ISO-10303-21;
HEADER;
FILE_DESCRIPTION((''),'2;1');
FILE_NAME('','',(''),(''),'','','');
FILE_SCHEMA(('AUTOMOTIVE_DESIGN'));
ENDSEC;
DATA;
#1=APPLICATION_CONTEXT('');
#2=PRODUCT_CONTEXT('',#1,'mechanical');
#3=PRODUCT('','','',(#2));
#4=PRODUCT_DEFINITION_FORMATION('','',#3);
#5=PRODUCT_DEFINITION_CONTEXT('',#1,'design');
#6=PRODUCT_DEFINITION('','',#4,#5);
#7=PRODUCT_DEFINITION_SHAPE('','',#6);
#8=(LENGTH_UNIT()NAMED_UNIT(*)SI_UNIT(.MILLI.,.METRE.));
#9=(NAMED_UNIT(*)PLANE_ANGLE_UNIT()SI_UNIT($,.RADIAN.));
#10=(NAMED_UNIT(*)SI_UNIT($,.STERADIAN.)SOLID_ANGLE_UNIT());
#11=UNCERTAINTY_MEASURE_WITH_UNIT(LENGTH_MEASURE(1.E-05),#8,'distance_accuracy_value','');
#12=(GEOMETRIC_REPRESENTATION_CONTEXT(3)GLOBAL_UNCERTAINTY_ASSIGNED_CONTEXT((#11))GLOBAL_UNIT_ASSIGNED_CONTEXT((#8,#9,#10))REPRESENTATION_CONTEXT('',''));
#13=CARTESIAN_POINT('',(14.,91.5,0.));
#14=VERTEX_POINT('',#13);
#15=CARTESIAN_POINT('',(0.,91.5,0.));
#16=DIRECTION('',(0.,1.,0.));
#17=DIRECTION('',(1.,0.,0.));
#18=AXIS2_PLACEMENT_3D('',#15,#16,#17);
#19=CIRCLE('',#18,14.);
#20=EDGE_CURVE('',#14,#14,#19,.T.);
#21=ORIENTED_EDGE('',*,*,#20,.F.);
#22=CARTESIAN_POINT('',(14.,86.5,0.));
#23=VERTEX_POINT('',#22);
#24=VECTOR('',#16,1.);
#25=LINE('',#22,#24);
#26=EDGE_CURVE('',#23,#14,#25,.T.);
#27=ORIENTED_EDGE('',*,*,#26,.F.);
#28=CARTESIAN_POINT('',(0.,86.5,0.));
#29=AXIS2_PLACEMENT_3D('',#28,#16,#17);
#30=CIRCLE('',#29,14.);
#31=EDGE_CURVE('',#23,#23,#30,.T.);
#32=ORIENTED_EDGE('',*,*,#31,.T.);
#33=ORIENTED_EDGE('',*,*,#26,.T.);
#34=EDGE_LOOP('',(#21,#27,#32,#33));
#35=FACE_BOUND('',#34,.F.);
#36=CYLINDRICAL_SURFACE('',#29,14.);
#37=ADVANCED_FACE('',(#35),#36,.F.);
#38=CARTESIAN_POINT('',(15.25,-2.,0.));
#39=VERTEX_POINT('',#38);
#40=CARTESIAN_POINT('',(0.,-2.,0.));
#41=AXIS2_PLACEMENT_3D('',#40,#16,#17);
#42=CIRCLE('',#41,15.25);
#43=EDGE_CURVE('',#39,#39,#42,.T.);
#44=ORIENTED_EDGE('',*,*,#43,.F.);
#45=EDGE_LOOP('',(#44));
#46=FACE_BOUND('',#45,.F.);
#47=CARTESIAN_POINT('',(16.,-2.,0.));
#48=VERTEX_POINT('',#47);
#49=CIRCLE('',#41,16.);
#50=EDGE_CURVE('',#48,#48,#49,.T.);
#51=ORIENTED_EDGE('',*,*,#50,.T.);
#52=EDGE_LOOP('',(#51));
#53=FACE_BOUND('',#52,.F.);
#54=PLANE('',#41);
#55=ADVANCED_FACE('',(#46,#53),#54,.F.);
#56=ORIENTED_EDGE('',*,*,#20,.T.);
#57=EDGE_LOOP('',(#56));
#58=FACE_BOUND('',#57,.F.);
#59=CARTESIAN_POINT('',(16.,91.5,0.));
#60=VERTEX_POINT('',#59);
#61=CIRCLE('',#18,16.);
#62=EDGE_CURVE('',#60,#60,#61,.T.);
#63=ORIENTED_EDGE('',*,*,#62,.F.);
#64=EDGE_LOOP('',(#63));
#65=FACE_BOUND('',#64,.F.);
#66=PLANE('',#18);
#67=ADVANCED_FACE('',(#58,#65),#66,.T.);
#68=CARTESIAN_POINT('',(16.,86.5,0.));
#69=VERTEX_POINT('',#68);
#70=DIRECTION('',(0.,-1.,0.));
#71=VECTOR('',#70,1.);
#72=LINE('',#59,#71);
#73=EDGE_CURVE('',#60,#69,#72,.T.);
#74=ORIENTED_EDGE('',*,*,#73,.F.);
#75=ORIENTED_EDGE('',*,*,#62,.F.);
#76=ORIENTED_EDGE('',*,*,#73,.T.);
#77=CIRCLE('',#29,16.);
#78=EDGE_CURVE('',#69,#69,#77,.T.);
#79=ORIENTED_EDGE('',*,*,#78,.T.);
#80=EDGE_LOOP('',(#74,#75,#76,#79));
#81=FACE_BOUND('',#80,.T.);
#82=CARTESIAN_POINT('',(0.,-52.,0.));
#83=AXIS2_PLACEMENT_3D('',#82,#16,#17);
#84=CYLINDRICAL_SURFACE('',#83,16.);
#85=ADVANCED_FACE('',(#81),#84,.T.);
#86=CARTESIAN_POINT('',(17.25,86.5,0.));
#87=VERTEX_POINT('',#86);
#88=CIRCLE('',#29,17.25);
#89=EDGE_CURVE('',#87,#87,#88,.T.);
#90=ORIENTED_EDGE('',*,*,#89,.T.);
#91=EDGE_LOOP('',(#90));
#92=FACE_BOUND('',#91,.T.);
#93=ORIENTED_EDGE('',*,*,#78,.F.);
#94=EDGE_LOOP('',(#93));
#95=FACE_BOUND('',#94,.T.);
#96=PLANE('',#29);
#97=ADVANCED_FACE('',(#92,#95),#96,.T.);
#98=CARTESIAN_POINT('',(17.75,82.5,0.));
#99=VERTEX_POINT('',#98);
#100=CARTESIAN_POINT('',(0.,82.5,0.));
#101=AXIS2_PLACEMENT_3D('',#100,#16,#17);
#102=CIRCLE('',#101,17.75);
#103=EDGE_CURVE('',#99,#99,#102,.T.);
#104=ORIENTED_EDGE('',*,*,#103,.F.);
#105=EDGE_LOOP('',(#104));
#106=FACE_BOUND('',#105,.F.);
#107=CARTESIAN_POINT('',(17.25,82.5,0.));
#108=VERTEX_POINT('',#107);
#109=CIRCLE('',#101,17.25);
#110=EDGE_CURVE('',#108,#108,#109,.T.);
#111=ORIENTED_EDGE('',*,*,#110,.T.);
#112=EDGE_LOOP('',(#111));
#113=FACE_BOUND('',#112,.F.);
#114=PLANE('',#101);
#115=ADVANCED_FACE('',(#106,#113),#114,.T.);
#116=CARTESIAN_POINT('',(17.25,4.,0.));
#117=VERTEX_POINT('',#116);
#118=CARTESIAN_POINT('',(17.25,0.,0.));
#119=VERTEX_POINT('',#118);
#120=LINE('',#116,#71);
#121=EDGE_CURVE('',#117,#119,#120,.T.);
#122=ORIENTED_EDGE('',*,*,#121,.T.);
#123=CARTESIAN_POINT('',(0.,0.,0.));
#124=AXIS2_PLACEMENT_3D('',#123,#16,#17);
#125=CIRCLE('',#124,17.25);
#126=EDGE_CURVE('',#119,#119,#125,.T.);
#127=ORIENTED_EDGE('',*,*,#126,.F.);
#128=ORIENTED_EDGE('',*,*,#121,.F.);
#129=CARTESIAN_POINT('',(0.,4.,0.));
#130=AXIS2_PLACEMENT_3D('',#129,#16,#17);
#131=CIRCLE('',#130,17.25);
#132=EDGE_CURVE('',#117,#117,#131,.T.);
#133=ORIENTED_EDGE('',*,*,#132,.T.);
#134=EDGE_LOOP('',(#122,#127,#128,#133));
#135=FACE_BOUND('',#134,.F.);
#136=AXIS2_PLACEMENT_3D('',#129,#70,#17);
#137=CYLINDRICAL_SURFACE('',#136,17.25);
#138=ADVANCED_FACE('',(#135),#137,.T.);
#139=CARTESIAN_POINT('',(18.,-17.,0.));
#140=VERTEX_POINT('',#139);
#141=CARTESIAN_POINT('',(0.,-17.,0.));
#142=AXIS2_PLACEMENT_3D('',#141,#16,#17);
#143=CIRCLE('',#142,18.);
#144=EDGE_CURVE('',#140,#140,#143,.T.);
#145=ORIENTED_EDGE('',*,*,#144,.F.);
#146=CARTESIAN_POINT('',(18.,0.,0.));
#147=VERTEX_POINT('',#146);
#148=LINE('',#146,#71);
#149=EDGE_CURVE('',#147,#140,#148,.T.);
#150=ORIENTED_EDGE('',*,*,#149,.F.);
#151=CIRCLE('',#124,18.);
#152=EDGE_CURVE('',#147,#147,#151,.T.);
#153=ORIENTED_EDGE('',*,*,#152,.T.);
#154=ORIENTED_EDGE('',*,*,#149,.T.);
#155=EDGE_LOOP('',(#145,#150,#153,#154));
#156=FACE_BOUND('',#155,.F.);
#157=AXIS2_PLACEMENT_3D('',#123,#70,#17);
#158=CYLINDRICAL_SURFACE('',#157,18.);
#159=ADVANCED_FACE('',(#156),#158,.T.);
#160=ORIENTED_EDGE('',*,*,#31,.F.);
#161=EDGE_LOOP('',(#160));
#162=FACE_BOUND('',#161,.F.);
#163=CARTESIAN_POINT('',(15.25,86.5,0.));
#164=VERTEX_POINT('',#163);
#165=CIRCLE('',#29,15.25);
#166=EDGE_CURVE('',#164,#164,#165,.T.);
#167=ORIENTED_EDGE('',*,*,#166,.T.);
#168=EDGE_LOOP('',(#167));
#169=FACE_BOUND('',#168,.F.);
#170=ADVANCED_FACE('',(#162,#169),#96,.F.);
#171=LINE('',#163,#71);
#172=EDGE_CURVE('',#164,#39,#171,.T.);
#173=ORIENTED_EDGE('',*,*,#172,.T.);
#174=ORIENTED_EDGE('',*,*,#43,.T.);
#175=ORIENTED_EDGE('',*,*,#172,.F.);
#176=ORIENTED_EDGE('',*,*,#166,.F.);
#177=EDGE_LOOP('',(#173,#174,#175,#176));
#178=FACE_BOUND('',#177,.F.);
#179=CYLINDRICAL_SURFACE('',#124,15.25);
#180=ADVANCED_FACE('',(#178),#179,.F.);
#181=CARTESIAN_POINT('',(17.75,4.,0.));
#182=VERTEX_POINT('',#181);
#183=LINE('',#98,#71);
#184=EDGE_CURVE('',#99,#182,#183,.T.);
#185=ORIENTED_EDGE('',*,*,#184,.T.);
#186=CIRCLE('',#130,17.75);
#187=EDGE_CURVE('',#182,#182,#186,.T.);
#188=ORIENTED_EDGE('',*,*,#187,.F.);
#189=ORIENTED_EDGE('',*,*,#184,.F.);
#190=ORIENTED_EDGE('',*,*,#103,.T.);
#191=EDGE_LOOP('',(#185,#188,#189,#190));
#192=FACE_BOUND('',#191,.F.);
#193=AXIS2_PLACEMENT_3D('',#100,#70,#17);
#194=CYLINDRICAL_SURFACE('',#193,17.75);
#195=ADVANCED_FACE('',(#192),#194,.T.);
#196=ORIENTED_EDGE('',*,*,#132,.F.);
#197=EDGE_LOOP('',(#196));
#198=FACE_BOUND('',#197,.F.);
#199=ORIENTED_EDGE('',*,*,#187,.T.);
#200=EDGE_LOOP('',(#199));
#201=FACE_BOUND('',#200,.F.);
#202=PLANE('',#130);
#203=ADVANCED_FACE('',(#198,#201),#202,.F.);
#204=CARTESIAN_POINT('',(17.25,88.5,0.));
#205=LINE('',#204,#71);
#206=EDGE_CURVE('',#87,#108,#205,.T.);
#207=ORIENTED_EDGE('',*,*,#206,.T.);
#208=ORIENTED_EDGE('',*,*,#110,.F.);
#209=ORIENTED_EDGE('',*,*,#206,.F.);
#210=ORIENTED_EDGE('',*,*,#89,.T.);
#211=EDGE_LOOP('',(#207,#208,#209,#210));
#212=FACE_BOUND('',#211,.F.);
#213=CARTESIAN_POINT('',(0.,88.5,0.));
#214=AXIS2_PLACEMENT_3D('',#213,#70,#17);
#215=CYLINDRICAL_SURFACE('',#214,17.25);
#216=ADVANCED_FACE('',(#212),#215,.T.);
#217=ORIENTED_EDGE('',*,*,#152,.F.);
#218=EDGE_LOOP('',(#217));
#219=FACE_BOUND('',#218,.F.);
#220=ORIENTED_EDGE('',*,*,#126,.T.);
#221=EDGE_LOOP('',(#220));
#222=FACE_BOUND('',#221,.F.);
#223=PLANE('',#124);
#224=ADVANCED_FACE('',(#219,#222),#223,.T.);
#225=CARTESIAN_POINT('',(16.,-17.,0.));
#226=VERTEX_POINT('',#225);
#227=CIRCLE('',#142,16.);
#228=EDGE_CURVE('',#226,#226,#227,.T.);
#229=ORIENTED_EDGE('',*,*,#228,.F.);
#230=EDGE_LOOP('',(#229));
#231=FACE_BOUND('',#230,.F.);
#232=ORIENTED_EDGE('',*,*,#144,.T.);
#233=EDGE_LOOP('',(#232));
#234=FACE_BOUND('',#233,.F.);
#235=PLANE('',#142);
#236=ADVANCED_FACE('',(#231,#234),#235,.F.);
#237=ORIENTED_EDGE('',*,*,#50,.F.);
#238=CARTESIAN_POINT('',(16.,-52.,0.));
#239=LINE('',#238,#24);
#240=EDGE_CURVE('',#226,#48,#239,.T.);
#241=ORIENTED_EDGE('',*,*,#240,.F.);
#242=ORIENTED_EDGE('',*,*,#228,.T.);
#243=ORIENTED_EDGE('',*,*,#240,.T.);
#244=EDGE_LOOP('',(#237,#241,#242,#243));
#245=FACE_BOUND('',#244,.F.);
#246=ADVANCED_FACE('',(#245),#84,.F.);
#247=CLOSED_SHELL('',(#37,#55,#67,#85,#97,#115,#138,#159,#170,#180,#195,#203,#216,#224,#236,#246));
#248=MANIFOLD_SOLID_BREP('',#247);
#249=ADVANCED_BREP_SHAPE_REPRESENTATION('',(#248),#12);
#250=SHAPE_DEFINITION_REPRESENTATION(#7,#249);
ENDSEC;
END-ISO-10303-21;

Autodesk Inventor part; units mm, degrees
ref_plane "YZ Plane" through (0, 0, 0) normal (1, 0, 0) x (0, 1, 0)
ref_plane "XZ Plane" through (0, 0, 0) normal (0, 1, 0) x (-1, 0, 0)
ref_plane "XY Plane" through (0, 0, 0) normal (0, 0, 1) x (1, 0, 0)
sketch "Sketch3" plane through (0, 0, 0) normal (0, 0, 1) x (1, 0, 0)
  line L0 (0, 0) -> (18.25, 0)
  line L1 (18.25, 0) -> (18.25, 86.5)
  line L2 (18.25, 86.5) -> (0, 86.5)
  line L3 (0, 86.5) -> (0, 0)
  line L4 (18.25, 4) -> (18.75, 4)
  line L5 (18.75, 4) -> (18.75, 82.5)
  line L6 (18.75, 82.5) -> (18.25, 82.5)
  line L7 (18.25, 82.5) -> (18.25, 4)
  line L8 (0, -94.8) -> (0, 204.8) projected
  line L9 (22, -29.5) -> (22, -33.5)
  line L10 (22, -33.5) -> (19, -52)
  line L11 (19, -52) -> (0, -52)
  line L12 (0, -52) -> (0, 0)
  line L13 (18.25, 0) -> (20.5, -17)
  line L14 (20.5, -17) -> (20.5, -23.5)
  line L15 (20.5, -23.5) -> (22, -29.5)
  line L16 (16, -52) -> (16, 106.5)
  line L17 (-4.4, 0) -> (26.4, 0) construction
  line L18 (18.25, 86.5) -> (20.5, 86.5)
  line L19 (20.5, 86.5) -> (22, 109.5)
  line L20 (22, 109.5) -> (22, 110.5)
  line L21 (22, 110.5) -> (21.5, 110.5)
  line L22 (21.5, 110.5) -> (21.5, 112)
  line L23 (21.5, 112) -> (22, 112)
  line L24 (22, 112) -> (22, 123)
  line L25 (22, 123) -> (21.5, 123.5)
  line L26 (21.5, 123.5) -> (21.5, 132.5)
  line L27 (21.5, 132.5) -> (22, 133)
  line L28 (22, 133) -> (22, 144)
  line L29 (22, 144) -> (21.5, 144)
  line L30 (21.5, 144) -> (21.5, 145.5)
  line L31 (21.5, 145.5) -> (22, 145.5)
  line L32 (22, 145.5) -> (22, 146.5)
  line L33 (22, 146.5) -> (19, 158.5)
  line L34 (19, 158.5) -> (19, 162)
  line L35 (19, 162) -> (0, 162)
  line L36 (16, 106.5) -> (16, 162)
  line L37 (14, 162) -> (14, 152)
  line L38 (14, 152) -> (16, 152)
  line L39 (18, 0) -> (18, -17)
  line L40 (18, -17) -> (20.5, -17)
  line L41 (20.5, 86.5) -> (15.25, 86.5)
  line L42 (15.25, 86.5) -> (15.25, 88.5)
  line L43 (15.25, 88.5) -> (20.5, 88.5)
  line L44 (20.5, 88.5) -> (20.5, 86.5)
  line L45 (15.25, 88.5) -> (17.25, 88.5)
  line L46 (17.25, 88.5) -> (17.25, 82.5)
  line L47 (17.25, 82.5) -> (15.25, 82.5)
  line L48 (15.25, 82.5) -> (15.25, 88.5)
  line L49 (15.25, 82.5) -> (17.75, 82.5)
  line L50 (17.75, 82.5) -> (17.75, 4)
  line L51 (17.75, 4) -> (15.25, 4)
  line L52 (15.25, 4) -> (15.25, 82.5)
  line L53 (15.25, 4) -> (17.25, 4)
  line L54 (17.25, 4) -> (17.25, 0)
  line L55 (17.25, 0) -> (15.25, 0)
  line L56 (15.25, 0) -> (15.25, 4)
  line L57 (15.25, 0) -> (18.25, 0)
  line L58 (18.25, 0) -> (18.25, -2)
  line L59 (18.25, -2) -> (15.25, -2)
  line L60 (15.25, -2) -> (15.25, 0)
  line L61 (18, -17) -> (16, -17)
  line L62 (16, 86.5) -> (14, 86.5)
  line L63 (14, 86.5) -> (14, 91.5)
  line L64 (14, 91.5) -> (16, 91.5)
  line L65 (16, 91.5) -> (16, 86.5)
  point P0 (18.25, 82.5)
  point P1 (16, 0)
  point P2 (16, 86.5)
  point P3 (20.4357, -17)
  point P4 (16, 0)
  point P5 (17.25, 4)
  point P6 (17.25, 86.5)
  point P7 (16, 108.5)
  point P8 (16, -2)
  point P9 (17.25, 0)
  point P10 (15.25, 86.5)
  point P11 (16, 88.5)
  point P12 (14, 88.5)
  dimension "d3" = 86.5
  dimension "d4" = 36.5
  dimension "d5" = 0.5
  dimension "d6" = 4
  dimension "d7" = 4
  dimension "d29" = 41
  dimension "d30" = 44
  dimension "d32" = 23.5
  dimension "d33" = 29.5
  dimension "d34" = 33.5
  dimension "d35" = 52
  dimension "d36" = 38
  dimension "d42" = 41
  dimension "d43" = 44
  dimension "d44" = 109.5
  dimension "d45" = 110.5
  dimension "d46" = 43
  dimension "d47" = 112
  dimension "d48" = 123
  dimension "d49" = 45
  dimension "d50" = 43
  dimension "d51" = 133
  dimension "d52" = 158.5
  dimension "d53" = 38
  dimension "d54" = 162
  dimension "d60" = 10
  dimension "d61" = 28
  dimension "d81" = 17
  dimension "d83" = 36
  dimension "d97" = 32
  dimension "d98" = 2
  dimension "d99" = 2
  dimension "d100" = 0.5
  dimension "d102" = 2
  dimension "d103" = 2
  dimension "d104" = 5
  dimension "d105" = 37.5
  dimension "d106" = 35.5
revolve "Revolution1" add sketch "Sketch3" angle 360 about axis through (0, -10, 0) along (0, 1, 0) contours L56 L51 L16 L0 | L0 L16 L59 L60 | L16 L51 L54 L0 | L0 L39 L59 L16 | L52 L47 L16 L51 | L63 L64 L16 L43 L42 L2 | L59 L39 L61 L16 | L16 L47 L49 L50 L51 | L48 L2 L16 L47 | L42 L43 L16 L2 | L16 L2 L46 L47
equation "\"d7\" = d6"
equation "\"d50\" = d46"
properties part number "TestPiece1"
